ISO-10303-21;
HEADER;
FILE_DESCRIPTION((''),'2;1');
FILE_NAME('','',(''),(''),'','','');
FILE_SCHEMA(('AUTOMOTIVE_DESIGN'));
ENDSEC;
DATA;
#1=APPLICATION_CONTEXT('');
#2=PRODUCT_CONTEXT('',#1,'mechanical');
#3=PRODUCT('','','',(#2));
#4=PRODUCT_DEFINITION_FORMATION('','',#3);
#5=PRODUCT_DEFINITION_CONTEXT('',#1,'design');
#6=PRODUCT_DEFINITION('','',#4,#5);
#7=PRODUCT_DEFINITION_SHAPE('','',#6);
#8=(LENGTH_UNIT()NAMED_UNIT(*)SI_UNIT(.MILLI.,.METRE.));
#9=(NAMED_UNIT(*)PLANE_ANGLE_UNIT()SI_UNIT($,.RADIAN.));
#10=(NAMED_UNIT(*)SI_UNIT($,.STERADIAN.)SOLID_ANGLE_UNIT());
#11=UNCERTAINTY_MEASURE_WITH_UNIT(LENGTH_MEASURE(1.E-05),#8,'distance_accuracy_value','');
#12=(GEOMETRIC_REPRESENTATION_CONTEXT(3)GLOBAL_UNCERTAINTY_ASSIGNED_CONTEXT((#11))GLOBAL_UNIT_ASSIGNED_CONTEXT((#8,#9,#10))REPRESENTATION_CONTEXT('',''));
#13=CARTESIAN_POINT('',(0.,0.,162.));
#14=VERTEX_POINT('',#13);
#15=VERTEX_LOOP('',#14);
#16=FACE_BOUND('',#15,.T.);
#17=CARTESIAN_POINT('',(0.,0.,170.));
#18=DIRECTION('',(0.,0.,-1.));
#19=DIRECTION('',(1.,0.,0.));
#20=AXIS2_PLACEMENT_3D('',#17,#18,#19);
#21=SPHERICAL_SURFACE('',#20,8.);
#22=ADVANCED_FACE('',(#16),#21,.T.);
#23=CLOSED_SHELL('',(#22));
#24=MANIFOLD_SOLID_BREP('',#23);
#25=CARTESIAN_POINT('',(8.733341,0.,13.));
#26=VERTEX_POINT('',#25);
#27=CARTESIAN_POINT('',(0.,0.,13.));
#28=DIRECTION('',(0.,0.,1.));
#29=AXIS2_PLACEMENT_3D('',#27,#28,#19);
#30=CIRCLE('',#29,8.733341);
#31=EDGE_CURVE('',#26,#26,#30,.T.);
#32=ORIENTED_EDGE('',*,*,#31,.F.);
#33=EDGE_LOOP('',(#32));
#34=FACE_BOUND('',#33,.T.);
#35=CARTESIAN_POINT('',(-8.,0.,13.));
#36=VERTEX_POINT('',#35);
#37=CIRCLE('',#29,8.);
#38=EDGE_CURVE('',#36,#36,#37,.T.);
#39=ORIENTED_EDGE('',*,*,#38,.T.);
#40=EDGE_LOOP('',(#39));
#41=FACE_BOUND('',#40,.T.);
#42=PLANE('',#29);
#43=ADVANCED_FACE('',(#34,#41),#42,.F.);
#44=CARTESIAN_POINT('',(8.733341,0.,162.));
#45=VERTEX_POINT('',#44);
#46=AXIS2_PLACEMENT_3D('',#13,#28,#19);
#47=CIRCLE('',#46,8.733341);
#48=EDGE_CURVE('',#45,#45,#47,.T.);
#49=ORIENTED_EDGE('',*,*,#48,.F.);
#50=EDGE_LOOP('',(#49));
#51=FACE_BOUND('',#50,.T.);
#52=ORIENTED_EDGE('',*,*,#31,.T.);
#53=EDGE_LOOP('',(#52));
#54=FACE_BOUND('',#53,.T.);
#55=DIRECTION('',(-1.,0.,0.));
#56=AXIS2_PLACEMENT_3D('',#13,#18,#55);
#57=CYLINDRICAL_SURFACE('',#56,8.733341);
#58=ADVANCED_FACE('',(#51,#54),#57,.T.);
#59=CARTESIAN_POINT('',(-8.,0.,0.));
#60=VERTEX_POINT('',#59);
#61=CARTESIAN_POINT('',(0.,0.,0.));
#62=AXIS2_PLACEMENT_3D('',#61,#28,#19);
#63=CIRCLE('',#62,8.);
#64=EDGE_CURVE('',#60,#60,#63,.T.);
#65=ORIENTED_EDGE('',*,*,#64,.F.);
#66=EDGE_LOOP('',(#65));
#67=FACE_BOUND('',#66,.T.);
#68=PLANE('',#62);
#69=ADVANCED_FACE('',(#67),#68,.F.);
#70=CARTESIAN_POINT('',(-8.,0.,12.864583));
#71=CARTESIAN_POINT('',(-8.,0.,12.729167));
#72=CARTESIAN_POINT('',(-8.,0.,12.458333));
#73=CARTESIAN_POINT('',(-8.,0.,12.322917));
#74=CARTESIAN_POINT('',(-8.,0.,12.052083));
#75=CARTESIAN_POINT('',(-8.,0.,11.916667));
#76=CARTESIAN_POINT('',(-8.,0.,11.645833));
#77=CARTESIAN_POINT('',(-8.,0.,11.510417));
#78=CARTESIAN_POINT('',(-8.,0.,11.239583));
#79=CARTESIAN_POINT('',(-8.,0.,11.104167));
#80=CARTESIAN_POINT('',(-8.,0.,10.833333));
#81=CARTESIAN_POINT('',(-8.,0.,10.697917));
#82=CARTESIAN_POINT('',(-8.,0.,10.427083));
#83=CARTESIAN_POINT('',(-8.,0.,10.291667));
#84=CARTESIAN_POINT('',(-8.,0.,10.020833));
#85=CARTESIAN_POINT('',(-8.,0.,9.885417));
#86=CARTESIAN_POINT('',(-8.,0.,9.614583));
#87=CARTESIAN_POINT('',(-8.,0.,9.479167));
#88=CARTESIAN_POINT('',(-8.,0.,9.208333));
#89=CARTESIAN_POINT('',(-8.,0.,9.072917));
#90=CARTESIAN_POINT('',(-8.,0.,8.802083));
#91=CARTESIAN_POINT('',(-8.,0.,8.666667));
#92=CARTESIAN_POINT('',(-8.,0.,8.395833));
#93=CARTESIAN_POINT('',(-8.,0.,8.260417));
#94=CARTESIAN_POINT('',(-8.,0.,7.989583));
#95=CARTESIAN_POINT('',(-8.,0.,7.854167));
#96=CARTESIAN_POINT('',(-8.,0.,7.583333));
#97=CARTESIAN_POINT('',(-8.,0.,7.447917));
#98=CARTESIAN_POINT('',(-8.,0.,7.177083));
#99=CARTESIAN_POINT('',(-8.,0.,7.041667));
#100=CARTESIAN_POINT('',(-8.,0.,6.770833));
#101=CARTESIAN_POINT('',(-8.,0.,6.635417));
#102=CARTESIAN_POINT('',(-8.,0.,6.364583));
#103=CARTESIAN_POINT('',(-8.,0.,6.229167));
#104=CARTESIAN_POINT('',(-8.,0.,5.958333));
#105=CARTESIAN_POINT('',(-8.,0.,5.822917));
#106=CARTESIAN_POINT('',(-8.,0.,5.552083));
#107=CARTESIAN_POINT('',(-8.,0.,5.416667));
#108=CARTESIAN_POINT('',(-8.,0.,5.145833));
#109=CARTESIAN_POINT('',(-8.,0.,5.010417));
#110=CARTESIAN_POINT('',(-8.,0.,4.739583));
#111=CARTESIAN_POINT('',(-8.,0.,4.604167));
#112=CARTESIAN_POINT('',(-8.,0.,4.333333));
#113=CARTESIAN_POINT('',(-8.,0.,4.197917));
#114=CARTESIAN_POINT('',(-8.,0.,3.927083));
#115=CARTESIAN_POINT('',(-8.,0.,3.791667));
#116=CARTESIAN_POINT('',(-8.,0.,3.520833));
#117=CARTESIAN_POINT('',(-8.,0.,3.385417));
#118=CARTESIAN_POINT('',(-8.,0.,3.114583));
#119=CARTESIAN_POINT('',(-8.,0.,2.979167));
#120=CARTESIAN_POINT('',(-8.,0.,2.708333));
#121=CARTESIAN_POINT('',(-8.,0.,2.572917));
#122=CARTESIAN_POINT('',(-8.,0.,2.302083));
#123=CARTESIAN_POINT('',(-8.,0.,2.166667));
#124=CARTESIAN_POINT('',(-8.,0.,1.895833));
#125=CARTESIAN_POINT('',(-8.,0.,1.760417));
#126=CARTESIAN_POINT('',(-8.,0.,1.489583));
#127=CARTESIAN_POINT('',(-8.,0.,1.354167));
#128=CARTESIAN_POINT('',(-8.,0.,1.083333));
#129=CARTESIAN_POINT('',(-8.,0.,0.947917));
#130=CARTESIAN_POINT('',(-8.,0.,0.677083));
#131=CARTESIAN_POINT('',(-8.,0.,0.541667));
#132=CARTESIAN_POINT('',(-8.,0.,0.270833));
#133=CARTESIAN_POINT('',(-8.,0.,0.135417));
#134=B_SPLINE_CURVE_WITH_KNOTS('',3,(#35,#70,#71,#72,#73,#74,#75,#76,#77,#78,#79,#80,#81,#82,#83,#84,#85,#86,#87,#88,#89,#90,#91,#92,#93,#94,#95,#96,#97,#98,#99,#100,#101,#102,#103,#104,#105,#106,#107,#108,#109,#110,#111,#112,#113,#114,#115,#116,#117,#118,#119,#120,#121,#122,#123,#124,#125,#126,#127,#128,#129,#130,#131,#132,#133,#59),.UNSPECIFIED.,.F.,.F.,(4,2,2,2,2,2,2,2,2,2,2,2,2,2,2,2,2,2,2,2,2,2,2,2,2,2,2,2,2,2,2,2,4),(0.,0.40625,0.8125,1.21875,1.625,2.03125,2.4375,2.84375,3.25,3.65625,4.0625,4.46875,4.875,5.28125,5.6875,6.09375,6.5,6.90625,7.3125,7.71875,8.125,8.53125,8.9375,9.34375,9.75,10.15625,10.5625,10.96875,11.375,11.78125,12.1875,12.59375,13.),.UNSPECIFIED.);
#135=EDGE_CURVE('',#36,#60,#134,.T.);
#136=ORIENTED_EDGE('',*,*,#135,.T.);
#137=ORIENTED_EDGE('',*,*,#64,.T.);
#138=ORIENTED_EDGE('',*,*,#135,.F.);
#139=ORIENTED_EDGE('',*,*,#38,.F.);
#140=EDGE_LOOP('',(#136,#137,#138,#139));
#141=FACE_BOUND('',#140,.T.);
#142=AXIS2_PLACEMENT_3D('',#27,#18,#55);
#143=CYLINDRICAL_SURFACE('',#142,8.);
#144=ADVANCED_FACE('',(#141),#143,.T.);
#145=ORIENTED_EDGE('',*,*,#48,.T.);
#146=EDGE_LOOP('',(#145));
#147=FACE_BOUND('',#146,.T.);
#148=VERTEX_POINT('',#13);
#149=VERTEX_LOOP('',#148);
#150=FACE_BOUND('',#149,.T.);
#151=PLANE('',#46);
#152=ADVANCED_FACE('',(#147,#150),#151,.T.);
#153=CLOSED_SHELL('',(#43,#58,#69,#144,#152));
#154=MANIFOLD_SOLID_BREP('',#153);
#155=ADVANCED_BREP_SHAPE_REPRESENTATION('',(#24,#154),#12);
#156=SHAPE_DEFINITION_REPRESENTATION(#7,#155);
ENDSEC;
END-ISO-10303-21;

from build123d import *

# Parameters (mm, degrees)
SKETCH1_R           = 8
BOSS_EXTRUDE1_DEPTH = 13
SKETCH2_R           = 8.733340629
BOSS_EXTRUDE2_DEPTH = 149


with BuildPart() as part:
    # Sketch1 → Boss-Extrude1 (new body)
    with BuildSketch(Plane.XY):
        with Locations(Location((0, 0, 0), (0, 0, 180))):
            Circle(SKETCH1_R)
    extrude(amount=BOSS_EXTRUDE1_DEPTH)

    # Sketch2 → Boss-Extrude2 (add)
    with BuildSketch(Plane.XY.offset(13)):
        Circle(SKETCH2_R)
    extrude(amount=BOSS_EXTRUDE2_DEPTH)


with BuildPart() as body_2:
    # Sketch3 → Revolve1 (revolve)
    with BuildSketch(Plane(origin=(0, 0, 0), x_dir=(1, 0, 0), z_dir=(0, 1, 0))):
        with BuildLine():
            Line((0, -162), (0, -178))
            ThreePointArc((0, -178), (8, -170), (0, -162))
        make_face()
    revolve(axis=Axis((0, 0, 162), (0, 0, 1)))


solid = Compound([part.part, body_2.part])
